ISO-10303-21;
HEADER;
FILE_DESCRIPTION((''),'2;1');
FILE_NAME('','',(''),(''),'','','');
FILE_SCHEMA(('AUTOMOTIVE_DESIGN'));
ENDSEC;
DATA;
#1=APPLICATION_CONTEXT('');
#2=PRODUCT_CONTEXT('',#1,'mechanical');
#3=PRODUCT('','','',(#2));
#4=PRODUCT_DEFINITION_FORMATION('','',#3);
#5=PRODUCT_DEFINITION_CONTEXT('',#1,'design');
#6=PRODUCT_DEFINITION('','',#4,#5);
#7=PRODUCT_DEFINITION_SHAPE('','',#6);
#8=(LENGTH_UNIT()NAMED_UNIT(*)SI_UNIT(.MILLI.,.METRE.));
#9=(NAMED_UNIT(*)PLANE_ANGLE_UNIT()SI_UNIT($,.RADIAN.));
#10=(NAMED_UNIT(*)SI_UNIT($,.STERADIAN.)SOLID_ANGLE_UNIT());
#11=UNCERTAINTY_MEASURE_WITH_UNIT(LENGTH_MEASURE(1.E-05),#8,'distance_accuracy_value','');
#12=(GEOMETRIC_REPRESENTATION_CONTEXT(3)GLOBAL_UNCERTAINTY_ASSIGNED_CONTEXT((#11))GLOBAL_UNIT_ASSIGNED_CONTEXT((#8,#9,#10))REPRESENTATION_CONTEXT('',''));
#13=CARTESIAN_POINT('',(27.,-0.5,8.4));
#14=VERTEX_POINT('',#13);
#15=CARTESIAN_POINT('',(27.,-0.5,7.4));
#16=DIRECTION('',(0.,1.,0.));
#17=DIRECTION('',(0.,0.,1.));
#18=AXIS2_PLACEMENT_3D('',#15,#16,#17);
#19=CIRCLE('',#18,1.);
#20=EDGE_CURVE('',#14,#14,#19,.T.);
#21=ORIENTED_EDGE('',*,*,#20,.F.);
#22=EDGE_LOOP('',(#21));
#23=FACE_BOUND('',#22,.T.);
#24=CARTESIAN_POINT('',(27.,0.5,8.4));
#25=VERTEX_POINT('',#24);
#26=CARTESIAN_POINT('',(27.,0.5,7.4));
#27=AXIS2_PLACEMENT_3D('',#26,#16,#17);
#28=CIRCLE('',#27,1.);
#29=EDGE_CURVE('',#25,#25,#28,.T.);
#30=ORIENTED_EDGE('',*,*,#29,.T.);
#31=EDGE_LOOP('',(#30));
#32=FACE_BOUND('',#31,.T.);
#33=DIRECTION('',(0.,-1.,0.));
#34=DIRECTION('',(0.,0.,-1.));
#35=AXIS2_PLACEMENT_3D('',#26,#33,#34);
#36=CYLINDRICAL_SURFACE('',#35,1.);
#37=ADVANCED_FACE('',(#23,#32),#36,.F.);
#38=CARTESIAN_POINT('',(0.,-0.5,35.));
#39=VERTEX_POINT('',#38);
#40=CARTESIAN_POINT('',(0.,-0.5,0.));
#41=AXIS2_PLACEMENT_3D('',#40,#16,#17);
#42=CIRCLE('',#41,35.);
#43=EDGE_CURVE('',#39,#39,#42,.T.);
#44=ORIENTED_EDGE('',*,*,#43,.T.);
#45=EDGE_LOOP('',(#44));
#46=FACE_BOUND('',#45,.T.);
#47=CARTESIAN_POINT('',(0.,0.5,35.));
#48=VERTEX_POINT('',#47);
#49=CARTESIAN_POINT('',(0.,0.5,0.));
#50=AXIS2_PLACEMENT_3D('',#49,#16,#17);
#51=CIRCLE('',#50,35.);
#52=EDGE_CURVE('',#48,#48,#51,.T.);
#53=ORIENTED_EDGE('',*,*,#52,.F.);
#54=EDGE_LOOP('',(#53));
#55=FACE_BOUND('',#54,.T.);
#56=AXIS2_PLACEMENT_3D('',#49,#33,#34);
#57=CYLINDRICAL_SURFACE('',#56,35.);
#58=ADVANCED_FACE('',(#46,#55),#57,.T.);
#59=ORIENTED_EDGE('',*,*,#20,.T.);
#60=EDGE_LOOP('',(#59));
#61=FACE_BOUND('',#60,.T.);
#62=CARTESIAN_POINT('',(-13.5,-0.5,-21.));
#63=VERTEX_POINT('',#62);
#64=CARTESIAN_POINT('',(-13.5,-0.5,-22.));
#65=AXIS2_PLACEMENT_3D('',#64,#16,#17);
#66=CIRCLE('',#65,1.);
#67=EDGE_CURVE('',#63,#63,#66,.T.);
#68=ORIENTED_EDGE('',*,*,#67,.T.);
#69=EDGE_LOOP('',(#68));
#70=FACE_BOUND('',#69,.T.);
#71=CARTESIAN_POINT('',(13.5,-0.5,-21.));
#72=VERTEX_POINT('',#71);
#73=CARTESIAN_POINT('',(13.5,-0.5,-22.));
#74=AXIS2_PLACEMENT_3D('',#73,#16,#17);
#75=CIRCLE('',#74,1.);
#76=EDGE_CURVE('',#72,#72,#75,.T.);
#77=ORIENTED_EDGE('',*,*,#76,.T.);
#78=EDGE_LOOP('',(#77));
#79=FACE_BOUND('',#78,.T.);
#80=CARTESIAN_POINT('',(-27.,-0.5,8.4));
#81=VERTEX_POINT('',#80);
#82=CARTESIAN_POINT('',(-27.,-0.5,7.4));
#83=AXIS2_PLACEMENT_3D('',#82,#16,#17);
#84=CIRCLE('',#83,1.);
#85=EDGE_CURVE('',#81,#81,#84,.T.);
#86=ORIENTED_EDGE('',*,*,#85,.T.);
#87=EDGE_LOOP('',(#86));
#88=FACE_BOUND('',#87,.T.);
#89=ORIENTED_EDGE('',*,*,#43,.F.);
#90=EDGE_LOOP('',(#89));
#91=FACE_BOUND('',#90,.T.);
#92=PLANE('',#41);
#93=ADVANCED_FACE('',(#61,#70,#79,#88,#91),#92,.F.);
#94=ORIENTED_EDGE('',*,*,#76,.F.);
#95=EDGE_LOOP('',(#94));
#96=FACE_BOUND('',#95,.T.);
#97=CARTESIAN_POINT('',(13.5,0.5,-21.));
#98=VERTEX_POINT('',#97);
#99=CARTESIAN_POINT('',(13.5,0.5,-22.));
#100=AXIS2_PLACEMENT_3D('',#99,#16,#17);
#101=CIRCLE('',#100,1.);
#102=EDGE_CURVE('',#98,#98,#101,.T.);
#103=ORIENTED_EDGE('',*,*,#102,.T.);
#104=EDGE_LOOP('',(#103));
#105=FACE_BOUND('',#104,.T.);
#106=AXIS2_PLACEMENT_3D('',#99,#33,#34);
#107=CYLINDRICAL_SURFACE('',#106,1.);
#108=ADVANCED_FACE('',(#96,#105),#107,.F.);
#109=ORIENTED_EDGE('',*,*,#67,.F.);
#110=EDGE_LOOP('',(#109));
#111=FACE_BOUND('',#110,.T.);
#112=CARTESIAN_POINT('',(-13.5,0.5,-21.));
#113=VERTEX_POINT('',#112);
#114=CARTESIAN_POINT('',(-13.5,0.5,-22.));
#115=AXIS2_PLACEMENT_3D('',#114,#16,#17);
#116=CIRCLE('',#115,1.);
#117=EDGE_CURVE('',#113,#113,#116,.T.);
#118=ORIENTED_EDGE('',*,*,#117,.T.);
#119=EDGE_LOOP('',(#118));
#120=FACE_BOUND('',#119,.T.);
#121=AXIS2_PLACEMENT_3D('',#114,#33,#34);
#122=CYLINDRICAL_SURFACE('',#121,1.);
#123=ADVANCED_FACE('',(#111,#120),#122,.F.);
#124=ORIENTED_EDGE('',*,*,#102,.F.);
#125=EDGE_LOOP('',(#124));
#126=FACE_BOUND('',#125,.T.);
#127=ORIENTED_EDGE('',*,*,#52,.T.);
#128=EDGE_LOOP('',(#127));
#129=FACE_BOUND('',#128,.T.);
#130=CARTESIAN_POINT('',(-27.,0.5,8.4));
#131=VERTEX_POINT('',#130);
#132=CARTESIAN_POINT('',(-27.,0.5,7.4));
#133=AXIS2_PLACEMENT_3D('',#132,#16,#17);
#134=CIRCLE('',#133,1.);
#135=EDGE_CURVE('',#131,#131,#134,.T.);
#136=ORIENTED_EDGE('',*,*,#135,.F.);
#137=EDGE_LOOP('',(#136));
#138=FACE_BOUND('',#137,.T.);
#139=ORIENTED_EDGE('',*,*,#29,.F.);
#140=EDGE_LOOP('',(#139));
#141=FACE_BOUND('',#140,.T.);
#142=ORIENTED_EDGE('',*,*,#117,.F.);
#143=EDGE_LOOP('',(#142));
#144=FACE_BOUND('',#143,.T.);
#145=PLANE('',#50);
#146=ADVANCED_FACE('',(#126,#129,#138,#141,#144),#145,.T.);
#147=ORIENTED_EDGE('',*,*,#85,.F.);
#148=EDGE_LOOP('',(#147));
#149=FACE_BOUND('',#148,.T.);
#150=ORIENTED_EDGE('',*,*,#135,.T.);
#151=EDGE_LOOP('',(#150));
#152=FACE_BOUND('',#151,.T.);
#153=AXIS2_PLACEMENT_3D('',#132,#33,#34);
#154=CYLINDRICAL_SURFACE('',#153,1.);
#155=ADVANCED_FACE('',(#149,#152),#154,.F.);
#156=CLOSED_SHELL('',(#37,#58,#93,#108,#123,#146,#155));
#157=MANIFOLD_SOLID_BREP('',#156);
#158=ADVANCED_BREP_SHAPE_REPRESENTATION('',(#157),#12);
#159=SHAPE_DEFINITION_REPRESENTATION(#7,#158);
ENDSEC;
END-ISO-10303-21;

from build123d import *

# Parameters (mm, degrees)
SKETCH1_R           = 35
SKETCH1_R_2         = 1
BOSS_EXTRUDE1_DEPTH = 0.5


with BuildPart() as part:
    # Sketch1 → Boss-Extrude1 (new, symmetric)
    with BuildSketch(Plane(origin=(0, 0, 0), x_dir=(1, 0, 0), z_dir=(0, 1, 0))):
        with Locations(Location((0, 0, 0), (0, 0, 270))):
            Circle(SKETCH1_R)
        with Locations(Location((-27, -7.4, 0), (0, 0, 270))):
            Circle(SKETCH1_R_2, mode=Mode.SUBTRACT)
        with Locations(Location((27, -7.4, 0), (0, 0, 270))):
            Circle(SKETCH1_R_2, mode=Mode.SUBTRACT)
        with Locations(Location((-13.5, 22, 0), (0, 0, 270))):
            Circle(SKETCH1_R_2, mode=Mode.SUBTRACT)
        with Locations(Location((13.5, 22, 0), (0, 0, 270))):
            Circle(SKETCH1_R_2, mode=Mode.SUBTRACT)
    extrude(amount=BOSS_EXTRUDE1_DEPTH, both=True)


solid = part.part
